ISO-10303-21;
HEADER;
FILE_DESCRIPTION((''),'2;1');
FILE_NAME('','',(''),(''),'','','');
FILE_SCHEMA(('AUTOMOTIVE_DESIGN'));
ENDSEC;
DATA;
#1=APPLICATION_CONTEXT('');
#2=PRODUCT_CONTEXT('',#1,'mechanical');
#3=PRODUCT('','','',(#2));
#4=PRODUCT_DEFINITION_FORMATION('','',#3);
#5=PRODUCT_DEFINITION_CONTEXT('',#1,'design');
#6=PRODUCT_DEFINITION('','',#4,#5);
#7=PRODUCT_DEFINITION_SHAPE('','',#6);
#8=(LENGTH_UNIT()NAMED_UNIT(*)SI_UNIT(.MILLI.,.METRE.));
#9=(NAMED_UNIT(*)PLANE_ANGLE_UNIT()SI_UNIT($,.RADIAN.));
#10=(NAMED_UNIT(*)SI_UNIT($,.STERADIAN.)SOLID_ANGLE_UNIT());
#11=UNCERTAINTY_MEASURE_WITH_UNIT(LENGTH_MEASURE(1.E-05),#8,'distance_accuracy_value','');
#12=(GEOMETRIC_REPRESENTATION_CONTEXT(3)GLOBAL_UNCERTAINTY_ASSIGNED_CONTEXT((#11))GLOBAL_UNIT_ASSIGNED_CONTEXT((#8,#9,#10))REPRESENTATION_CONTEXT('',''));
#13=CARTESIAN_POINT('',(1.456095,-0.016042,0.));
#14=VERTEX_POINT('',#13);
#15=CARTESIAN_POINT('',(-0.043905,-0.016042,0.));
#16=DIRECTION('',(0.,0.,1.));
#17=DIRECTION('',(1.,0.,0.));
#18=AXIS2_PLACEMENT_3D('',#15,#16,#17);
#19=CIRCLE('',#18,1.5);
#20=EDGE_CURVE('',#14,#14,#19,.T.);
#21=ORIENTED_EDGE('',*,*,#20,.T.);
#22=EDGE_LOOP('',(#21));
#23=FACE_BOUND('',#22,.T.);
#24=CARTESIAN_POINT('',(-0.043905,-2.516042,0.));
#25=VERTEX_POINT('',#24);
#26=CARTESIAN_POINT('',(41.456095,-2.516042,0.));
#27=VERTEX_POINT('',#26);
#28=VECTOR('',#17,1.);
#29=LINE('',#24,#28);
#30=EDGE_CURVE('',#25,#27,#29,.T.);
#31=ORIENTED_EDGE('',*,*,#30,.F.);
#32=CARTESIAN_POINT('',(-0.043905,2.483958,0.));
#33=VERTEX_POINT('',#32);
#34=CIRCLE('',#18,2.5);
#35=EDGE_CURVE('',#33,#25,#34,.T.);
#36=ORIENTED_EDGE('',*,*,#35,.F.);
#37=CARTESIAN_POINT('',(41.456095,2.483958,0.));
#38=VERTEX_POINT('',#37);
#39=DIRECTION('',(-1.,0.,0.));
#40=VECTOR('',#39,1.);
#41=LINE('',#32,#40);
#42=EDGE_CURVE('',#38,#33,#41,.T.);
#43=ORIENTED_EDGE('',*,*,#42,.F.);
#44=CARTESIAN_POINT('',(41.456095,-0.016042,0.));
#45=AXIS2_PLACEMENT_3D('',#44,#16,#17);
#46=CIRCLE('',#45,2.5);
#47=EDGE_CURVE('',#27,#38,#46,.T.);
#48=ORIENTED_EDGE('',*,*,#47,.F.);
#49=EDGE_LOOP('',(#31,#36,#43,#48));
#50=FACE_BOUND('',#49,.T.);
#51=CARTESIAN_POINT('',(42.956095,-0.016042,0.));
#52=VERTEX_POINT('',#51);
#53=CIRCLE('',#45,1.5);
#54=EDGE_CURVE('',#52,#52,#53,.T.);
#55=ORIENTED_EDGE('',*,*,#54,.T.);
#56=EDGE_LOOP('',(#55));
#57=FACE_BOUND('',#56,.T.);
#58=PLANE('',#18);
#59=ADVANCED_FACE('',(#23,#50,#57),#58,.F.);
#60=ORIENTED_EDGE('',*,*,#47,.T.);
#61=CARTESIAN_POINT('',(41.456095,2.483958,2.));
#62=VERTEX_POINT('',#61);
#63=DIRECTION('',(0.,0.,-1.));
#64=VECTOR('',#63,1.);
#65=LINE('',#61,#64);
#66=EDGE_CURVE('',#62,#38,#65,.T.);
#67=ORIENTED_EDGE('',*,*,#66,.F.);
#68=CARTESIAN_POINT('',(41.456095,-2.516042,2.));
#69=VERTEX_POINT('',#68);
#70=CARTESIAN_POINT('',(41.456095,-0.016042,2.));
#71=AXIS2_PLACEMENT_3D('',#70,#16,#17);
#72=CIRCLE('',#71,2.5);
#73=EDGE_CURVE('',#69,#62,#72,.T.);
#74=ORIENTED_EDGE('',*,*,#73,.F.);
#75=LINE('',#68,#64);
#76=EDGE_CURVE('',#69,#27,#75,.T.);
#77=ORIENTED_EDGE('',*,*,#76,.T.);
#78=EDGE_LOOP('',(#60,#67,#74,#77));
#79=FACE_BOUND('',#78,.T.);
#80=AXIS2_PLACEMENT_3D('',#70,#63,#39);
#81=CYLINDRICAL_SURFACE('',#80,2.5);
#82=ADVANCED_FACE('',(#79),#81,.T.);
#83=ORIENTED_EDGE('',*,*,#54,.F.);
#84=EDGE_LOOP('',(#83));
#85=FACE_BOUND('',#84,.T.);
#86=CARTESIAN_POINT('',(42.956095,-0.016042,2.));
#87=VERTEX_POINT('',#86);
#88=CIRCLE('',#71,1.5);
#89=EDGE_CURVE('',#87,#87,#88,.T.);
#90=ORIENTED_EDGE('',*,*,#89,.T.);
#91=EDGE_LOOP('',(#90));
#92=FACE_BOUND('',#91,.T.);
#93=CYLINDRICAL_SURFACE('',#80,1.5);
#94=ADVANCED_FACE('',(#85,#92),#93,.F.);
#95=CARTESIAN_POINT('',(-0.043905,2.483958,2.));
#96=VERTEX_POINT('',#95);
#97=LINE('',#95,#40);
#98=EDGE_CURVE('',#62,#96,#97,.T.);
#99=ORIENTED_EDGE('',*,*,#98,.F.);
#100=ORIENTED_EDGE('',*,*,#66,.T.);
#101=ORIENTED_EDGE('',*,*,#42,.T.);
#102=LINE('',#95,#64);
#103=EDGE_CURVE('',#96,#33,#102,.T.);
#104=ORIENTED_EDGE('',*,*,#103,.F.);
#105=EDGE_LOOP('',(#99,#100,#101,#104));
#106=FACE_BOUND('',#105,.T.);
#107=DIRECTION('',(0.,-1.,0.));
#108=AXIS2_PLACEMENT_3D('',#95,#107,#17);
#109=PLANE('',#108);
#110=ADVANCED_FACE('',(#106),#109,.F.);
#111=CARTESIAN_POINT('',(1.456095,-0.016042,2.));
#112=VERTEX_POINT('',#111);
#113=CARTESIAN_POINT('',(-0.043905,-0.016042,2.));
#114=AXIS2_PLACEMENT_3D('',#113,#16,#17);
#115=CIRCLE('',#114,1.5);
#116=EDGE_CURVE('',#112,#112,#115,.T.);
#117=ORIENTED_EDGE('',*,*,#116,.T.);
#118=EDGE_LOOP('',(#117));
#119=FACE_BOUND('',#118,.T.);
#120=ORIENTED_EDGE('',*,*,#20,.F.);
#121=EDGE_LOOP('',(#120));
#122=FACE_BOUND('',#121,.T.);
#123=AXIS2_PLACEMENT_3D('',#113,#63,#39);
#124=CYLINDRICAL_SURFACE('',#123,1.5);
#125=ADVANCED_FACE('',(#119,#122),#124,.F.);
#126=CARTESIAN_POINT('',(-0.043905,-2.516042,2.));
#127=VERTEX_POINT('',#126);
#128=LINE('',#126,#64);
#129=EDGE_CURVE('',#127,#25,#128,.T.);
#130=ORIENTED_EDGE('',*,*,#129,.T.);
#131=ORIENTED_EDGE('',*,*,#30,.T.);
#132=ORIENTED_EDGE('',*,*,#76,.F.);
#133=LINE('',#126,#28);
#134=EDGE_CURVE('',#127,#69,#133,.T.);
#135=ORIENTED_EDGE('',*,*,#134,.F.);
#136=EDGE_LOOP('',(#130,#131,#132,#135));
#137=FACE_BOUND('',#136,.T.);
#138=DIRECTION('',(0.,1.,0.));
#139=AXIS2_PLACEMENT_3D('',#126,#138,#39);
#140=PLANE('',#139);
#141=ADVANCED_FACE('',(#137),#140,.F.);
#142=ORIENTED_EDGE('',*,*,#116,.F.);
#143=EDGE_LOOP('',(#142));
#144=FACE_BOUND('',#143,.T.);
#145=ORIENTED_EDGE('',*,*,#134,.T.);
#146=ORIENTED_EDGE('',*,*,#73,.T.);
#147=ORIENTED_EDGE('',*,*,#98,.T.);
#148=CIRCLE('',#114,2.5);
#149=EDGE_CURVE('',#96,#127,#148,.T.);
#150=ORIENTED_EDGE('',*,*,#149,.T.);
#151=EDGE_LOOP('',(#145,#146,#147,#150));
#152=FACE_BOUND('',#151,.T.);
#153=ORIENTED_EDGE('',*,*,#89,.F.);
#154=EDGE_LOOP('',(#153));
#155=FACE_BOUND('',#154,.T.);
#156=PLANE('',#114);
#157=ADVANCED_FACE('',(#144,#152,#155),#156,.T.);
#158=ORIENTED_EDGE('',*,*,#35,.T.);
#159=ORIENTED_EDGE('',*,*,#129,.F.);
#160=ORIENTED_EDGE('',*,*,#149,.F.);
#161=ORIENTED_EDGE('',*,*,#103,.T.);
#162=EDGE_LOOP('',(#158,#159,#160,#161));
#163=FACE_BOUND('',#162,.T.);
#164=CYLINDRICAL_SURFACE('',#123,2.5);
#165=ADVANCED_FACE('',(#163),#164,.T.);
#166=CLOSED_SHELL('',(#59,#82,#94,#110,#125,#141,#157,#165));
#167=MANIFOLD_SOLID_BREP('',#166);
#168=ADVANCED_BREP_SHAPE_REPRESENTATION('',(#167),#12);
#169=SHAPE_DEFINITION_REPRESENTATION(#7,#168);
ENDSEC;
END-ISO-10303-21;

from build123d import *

# Parameters (mm, degrees)
SKETCH1_R           = 1.5
BOSS_EXTRUDE1_DEPTH = 2


with BuildPart() as part:
    # Sketch1 → Boss-Extrude1 (new body)
    with BuildSketch(Plane.XY):
        with BuildLine():
            Line((-0.043904724, 2.483957995), (41.456095276, 2.483957995))
            ThreePointArc((41.456095276, 2.483957995), (43.956095276, -0.016042005), (41.456095276, -2.516042005))
            Line((41.456095276, -2.516042005), (-0.043904724, -2.516042005))
            ThreePointArc((-0.043904724, -2.516042005), (-2.543904724, -0.016042005), (-0.043904724, 2.483957995))
        make_face()
        with Locations((-0.043904724, -0.016042005)):
            Circle(SKETCH1_R, mode=Mode.SUBTRACT)
        with Locations((41.456095276, -0.016042005)):
            Circle(SKETCH1_R, mode=Mode.SUBTRACT)
    extrude(amount=BOSS_EXTRUDE1_DEPTH)


solid = part.part
